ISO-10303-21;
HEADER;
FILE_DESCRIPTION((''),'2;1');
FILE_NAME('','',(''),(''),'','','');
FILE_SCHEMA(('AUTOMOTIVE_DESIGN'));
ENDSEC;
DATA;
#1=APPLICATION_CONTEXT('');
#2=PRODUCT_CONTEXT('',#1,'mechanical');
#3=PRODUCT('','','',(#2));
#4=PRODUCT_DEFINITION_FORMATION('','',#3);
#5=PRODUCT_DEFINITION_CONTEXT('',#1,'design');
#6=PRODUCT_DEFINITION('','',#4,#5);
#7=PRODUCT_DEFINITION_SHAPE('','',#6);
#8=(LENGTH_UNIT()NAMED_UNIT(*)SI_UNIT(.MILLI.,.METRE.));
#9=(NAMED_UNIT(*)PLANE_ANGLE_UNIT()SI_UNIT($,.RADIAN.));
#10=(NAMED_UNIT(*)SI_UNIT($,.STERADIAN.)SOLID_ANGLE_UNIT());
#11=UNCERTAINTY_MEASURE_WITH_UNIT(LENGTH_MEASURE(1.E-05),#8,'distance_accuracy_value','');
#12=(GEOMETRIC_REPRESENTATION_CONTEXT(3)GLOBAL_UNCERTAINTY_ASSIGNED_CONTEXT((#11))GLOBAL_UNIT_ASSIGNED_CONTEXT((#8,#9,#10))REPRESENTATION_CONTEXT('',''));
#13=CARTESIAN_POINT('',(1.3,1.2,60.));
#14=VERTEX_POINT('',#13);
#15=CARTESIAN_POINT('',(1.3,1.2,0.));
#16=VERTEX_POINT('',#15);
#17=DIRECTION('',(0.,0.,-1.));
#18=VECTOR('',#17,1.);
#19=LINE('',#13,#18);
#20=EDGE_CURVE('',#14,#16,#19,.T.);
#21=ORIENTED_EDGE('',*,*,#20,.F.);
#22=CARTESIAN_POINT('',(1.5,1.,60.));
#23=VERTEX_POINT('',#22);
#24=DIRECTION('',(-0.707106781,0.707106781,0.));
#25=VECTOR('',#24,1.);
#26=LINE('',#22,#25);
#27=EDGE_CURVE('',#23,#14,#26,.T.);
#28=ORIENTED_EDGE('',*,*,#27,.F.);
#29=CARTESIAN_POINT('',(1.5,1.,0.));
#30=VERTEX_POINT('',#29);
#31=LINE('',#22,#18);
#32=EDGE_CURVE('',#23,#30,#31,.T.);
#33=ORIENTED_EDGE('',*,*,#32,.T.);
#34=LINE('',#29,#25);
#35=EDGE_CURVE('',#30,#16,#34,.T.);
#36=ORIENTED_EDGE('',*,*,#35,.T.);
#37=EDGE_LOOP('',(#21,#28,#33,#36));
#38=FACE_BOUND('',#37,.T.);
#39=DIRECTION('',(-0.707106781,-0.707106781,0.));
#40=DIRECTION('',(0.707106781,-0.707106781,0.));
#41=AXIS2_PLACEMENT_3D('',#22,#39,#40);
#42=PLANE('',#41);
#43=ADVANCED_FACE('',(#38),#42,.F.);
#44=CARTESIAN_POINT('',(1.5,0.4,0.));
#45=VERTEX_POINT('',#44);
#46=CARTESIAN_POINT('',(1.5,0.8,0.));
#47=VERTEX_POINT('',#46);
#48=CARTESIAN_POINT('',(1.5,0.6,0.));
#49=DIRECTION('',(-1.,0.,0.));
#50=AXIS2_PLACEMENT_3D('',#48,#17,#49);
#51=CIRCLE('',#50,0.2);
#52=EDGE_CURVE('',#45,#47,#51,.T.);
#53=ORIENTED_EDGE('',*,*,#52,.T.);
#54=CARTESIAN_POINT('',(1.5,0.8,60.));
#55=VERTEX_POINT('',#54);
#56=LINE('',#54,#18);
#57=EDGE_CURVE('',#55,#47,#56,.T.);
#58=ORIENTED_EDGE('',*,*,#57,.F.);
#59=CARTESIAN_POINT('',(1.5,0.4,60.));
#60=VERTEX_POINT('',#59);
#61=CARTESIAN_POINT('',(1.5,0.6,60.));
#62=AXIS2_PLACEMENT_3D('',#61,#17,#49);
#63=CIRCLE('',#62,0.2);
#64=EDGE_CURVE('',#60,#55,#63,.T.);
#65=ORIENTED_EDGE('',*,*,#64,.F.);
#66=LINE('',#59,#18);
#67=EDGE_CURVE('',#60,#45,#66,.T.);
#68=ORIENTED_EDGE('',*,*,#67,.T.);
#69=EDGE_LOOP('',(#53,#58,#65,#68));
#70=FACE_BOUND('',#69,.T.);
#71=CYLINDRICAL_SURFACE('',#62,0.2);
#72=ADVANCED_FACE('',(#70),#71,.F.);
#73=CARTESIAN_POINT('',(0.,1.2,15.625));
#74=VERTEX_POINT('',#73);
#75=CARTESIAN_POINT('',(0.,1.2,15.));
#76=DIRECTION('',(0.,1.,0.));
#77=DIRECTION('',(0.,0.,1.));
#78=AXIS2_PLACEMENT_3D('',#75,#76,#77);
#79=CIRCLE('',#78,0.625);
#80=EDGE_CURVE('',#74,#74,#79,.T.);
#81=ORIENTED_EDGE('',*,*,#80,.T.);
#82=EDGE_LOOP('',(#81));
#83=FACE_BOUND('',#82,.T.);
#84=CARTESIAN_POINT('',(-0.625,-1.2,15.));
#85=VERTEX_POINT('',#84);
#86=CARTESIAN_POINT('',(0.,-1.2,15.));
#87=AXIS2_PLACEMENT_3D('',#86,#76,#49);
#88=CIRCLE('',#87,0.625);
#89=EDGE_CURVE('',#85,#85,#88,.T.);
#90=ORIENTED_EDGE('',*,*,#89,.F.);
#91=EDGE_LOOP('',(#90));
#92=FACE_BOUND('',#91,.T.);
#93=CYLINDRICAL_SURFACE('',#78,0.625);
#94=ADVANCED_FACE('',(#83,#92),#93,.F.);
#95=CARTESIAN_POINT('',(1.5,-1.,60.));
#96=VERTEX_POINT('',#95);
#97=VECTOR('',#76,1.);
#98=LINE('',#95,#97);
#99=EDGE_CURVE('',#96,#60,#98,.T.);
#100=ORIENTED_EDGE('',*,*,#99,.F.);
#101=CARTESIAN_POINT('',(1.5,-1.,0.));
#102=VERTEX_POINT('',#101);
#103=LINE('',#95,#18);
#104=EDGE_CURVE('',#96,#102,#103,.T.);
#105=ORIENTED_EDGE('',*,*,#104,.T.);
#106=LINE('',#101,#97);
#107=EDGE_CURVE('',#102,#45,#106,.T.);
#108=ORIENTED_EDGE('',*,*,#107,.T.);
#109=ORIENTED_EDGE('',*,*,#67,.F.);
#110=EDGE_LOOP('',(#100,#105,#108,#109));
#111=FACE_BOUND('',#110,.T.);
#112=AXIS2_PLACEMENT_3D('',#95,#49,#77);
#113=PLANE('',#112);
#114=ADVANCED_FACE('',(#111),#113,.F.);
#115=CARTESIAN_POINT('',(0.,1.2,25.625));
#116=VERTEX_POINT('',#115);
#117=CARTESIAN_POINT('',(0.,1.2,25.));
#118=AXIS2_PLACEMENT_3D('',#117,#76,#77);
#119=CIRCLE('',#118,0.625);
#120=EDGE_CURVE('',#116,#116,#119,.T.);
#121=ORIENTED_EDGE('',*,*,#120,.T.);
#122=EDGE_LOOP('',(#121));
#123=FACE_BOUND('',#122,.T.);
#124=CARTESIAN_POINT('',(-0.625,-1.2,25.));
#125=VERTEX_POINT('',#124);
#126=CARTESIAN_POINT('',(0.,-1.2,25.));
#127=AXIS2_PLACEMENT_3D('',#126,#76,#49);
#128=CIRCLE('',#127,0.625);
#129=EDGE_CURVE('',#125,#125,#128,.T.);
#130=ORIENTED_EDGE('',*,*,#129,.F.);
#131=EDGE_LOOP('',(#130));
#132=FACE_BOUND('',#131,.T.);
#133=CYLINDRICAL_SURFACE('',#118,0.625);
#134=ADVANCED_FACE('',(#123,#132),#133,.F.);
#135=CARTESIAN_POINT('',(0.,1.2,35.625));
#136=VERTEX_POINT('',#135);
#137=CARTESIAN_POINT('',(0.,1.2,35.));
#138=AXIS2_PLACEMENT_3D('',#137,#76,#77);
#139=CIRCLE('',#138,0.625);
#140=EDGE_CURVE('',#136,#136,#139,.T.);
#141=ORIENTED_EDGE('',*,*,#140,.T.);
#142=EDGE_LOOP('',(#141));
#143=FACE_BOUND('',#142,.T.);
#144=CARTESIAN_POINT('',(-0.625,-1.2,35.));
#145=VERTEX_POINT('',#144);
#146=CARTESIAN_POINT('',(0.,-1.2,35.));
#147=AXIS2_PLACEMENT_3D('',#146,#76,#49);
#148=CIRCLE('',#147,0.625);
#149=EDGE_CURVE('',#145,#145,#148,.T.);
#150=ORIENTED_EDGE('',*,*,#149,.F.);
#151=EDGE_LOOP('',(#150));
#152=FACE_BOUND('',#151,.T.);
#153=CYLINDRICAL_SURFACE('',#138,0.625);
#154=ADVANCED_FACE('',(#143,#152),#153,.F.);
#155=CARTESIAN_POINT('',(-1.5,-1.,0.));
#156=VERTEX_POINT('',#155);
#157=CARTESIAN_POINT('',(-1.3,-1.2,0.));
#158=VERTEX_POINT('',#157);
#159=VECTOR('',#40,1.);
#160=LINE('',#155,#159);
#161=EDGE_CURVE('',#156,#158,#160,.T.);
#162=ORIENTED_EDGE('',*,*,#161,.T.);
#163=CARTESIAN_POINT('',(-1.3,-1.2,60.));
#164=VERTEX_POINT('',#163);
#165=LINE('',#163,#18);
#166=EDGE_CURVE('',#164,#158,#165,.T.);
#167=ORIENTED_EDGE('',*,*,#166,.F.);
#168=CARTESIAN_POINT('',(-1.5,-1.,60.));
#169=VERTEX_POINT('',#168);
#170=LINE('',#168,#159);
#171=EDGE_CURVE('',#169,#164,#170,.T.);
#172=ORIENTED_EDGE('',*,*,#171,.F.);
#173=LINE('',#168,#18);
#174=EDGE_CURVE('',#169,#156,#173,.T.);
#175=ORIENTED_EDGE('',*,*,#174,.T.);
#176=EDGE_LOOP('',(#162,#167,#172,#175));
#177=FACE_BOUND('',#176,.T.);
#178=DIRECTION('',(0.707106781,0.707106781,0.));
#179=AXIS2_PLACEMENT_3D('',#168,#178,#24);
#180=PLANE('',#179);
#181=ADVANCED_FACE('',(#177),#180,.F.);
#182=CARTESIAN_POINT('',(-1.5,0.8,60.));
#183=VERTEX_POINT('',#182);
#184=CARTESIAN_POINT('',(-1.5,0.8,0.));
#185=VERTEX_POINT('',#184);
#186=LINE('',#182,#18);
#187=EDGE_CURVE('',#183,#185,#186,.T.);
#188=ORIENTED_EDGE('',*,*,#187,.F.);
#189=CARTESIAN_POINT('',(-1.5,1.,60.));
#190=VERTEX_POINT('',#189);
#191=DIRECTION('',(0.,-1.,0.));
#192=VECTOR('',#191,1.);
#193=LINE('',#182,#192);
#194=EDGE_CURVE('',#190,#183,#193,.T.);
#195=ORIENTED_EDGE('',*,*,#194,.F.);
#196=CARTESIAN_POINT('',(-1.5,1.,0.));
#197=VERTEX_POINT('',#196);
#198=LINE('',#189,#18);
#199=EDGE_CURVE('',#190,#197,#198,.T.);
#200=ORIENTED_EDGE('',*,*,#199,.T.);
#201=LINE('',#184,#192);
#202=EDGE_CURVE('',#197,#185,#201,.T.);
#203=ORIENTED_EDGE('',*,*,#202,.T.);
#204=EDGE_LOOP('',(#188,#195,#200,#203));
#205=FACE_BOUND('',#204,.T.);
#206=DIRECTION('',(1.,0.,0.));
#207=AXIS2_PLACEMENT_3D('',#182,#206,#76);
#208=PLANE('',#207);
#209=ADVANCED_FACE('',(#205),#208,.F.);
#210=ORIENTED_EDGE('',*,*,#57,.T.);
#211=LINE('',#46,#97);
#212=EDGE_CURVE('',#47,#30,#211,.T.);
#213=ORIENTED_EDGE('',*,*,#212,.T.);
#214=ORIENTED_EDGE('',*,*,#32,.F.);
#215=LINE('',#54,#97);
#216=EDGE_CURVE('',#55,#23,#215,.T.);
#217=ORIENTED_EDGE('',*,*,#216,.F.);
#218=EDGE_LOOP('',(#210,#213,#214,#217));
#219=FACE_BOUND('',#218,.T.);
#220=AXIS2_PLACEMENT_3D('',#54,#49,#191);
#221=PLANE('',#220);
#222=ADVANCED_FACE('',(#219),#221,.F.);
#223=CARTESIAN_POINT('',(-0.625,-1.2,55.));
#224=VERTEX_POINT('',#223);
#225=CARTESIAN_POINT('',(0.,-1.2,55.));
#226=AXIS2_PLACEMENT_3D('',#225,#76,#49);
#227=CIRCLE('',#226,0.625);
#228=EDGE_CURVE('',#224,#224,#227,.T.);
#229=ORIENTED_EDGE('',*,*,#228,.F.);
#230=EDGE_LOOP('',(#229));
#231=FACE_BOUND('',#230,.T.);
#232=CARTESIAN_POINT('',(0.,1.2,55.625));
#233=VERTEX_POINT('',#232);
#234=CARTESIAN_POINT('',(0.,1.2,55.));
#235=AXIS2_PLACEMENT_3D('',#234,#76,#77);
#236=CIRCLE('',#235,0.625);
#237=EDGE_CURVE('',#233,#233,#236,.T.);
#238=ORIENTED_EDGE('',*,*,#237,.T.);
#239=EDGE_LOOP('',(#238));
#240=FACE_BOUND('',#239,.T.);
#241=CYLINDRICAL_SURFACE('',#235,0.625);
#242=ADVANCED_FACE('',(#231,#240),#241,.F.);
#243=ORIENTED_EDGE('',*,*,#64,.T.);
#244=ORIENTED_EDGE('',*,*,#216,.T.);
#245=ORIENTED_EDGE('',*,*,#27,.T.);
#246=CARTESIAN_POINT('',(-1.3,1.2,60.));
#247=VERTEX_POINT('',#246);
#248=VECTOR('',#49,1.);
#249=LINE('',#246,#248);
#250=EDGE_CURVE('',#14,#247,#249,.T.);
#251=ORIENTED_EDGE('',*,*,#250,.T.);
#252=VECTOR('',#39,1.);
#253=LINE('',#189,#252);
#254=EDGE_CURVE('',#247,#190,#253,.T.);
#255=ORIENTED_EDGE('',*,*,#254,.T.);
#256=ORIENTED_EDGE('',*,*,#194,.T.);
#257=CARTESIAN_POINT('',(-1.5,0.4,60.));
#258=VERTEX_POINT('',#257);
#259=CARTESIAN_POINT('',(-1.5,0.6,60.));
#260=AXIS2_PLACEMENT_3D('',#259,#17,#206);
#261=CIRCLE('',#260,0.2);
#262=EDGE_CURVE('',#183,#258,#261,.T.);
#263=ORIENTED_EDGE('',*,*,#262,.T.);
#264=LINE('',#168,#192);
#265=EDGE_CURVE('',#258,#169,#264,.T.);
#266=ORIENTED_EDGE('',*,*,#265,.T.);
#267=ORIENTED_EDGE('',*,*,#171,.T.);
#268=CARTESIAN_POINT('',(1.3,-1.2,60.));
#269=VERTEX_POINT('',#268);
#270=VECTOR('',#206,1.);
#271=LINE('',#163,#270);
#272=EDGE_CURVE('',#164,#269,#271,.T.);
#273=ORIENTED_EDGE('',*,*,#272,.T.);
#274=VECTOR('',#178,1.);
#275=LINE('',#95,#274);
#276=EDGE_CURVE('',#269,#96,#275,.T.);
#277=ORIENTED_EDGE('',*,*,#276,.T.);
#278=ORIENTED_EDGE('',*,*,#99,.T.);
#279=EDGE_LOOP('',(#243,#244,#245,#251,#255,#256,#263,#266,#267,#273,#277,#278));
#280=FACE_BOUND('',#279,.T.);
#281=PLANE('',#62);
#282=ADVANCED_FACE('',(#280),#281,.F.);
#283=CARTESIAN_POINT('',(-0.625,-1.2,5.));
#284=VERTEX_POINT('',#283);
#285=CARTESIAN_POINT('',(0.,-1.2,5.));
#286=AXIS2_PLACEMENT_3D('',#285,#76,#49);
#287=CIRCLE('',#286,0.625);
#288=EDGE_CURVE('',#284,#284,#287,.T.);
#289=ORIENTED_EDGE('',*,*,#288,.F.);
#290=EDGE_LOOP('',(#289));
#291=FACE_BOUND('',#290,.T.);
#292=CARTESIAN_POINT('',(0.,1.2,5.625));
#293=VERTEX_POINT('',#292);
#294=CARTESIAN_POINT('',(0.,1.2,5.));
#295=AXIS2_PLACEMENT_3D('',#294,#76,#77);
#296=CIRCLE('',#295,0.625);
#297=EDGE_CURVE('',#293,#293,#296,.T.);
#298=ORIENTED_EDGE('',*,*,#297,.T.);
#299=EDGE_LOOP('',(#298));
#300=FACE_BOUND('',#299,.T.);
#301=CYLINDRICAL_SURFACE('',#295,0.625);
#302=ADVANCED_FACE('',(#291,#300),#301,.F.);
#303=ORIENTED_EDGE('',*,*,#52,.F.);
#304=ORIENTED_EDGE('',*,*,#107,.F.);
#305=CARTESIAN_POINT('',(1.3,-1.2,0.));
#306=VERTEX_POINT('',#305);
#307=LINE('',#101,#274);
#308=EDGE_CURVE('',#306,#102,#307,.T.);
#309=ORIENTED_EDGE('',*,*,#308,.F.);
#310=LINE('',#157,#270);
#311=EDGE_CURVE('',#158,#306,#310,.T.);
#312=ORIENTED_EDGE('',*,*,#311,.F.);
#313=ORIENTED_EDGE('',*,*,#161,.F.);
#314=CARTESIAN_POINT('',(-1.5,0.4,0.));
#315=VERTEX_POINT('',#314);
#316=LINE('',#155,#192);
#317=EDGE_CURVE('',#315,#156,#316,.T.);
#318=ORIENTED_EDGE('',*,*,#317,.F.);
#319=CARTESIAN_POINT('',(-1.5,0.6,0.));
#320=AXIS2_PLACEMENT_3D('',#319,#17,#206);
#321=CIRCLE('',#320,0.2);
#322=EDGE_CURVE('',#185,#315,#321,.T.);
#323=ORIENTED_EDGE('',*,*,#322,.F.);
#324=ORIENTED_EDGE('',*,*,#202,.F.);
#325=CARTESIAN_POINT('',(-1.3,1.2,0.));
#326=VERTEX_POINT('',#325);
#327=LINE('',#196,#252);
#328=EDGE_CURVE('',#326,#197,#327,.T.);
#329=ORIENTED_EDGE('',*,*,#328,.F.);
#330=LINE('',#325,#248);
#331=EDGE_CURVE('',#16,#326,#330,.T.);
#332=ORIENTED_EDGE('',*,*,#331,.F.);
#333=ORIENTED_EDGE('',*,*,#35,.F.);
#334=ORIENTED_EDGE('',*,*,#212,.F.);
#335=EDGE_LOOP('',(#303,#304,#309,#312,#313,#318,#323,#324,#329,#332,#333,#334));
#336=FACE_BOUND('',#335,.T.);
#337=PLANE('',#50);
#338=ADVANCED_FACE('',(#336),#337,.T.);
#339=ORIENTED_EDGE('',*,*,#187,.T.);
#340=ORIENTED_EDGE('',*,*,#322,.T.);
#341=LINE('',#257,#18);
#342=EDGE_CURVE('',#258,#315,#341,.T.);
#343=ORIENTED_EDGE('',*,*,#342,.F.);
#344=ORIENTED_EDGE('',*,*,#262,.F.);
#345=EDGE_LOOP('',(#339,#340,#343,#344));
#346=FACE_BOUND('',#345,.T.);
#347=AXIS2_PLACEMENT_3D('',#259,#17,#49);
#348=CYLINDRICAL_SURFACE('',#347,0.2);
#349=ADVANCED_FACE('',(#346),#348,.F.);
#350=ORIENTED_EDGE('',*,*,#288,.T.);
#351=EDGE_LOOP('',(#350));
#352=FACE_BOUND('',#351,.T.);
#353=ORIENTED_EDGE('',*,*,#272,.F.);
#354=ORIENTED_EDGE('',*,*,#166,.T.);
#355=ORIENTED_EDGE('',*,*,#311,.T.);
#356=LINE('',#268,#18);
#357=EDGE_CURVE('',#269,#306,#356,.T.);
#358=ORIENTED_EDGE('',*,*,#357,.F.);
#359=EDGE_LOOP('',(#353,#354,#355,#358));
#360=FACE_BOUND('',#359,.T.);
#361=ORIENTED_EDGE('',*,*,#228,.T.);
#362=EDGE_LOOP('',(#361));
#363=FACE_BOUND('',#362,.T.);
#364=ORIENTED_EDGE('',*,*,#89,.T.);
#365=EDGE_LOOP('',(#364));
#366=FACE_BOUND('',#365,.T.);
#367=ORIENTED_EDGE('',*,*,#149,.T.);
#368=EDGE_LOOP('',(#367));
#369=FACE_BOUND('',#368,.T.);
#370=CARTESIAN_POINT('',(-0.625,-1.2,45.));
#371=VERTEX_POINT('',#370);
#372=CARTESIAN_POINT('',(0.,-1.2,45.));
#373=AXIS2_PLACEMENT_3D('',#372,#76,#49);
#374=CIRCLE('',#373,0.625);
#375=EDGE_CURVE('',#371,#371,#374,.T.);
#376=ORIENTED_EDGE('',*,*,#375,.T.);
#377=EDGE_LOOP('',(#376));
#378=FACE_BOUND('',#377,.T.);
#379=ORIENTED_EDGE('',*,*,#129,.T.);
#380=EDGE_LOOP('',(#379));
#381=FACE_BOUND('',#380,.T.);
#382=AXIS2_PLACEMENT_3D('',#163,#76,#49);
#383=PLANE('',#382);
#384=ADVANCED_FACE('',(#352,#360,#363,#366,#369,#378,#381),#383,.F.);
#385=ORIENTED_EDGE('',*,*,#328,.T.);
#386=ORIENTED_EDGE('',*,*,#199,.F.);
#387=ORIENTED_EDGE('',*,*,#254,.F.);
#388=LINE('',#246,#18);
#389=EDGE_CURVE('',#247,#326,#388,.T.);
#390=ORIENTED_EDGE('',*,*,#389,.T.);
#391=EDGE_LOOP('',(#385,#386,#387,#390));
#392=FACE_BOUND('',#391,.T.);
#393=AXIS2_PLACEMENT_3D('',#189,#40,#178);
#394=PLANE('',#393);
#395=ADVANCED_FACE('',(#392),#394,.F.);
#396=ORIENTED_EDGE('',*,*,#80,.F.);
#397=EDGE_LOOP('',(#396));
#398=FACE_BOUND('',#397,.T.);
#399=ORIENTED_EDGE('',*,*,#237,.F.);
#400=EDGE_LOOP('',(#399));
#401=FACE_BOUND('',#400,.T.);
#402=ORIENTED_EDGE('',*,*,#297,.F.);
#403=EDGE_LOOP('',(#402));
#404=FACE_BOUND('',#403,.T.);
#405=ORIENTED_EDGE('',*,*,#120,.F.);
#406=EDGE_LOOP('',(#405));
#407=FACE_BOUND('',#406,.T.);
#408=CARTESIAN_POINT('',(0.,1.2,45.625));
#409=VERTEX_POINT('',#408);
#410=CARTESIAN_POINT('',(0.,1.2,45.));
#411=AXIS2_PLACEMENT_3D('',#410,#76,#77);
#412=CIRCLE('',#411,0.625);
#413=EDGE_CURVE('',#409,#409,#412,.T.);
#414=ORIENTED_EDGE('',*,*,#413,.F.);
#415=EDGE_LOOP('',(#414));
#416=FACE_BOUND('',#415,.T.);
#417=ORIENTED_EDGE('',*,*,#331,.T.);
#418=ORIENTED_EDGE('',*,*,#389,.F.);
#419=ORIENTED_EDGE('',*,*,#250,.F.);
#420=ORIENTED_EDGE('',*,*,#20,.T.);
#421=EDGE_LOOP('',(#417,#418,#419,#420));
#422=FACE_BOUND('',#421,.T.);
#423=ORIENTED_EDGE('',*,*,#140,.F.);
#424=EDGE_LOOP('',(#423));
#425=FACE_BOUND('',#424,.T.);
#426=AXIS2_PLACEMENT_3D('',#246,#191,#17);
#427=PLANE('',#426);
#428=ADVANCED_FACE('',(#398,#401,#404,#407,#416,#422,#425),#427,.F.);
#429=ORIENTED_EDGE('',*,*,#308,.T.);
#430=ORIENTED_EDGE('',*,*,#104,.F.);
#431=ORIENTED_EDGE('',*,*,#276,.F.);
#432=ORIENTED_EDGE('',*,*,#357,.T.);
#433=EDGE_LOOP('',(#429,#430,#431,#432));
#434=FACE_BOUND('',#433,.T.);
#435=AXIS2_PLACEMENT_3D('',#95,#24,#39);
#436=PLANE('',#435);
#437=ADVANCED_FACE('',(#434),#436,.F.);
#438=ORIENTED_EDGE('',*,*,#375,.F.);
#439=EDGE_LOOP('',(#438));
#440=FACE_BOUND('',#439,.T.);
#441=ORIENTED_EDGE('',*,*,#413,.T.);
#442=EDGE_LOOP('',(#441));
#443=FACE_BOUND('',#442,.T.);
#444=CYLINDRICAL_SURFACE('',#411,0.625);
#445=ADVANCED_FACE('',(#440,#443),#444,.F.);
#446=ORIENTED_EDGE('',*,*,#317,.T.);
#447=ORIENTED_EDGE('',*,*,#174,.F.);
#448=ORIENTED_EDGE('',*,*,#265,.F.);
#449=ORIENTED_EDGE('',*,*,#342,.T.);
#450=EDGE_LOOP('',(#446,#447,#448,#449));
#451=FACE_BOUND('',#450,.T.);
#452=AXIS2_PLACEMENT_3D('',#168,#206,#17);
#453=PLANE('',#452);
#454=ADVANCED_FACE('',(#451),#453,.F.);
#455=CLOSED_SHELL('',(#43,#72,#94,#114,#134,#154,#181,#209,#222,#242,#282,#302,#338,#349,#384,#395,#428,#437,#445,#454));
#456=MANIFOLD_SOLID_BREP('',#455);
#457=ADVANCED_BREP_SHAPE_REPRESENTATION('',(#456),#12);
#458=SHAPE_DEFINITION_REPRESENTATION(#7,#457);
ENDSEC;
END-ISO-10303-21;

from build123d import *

# Parameters (mm, degrees)
BOSS_EXTRUDE1_DEPTH          = 60
M1_6X0_35_TAPPED_HOLE1_D     = 1.25
M1_6X0_35_TAPPED_HOLE1_DEPTH = 2.4
LPATTERN1_COUNT              = 6
LPATTERN1_PITCH              = 10


with BuildPart() as part:
    # Sketch1 → Boss-Extrude1 (new body)
    with BuildSketch(Plane.XY):
        with BuildLine():
            Line((-1.5, 1), (-1.3, 1.2))
            Line((-1.3, 1.2), (1.3, 1.2))
            Line((1.3, 1.2), (1.5, 1))
            Line((1.5, 1), (1.5, 0.8))
            ThreePointArc((1.5, 0.8), (1.3, 0.6), (1.5, 0.4))
            Line((1.5, 0.4), (1.5, -1))
            Line((1.5, -1), (1.3, -1.2))
            Line((1.3, -1.2), (-1.3, -1.2))
            Line((-1.3, -1.2), (-1.5, -1))
            Line((-1.5, -1), (-1.5, 0.4))
            ThreePointArc((-1.5, 0.4), (-1.3, 0.6), (-1.5, 0.8))
            Line((-1.5, 0.8), (-1.5, 1))
        make_face()
    extrude(amount=BOSS_EXTRUDE1_DEPTH)

    # M1.6x0.35 Tapped Hole1
    with Locations(Plane(origin=(0, 1.2, 0), x_dir=(1, 0, 0), z_dir=(0, 1, 0))):
        with Locations((0, -5)):
            m1_6x0_35_tapped_hole1 = Hole(M1_6X0_35_TAPPED_HOLE1_D / 2, depth=M1_6X0_35_TAPPED_HOLE1_DEPTH)

    # LPattern1: M1.6x0.35 Tapped Hole1 ×6
    with Locations(*[(0, 0, i * LPATTERN1_PITCH) for i in range(1, LPATTERN1_COUNT)]):
        add(m1_6x0_35_tapped_hole1, mode=Mode.SUBTRACT)


solid = part.part
